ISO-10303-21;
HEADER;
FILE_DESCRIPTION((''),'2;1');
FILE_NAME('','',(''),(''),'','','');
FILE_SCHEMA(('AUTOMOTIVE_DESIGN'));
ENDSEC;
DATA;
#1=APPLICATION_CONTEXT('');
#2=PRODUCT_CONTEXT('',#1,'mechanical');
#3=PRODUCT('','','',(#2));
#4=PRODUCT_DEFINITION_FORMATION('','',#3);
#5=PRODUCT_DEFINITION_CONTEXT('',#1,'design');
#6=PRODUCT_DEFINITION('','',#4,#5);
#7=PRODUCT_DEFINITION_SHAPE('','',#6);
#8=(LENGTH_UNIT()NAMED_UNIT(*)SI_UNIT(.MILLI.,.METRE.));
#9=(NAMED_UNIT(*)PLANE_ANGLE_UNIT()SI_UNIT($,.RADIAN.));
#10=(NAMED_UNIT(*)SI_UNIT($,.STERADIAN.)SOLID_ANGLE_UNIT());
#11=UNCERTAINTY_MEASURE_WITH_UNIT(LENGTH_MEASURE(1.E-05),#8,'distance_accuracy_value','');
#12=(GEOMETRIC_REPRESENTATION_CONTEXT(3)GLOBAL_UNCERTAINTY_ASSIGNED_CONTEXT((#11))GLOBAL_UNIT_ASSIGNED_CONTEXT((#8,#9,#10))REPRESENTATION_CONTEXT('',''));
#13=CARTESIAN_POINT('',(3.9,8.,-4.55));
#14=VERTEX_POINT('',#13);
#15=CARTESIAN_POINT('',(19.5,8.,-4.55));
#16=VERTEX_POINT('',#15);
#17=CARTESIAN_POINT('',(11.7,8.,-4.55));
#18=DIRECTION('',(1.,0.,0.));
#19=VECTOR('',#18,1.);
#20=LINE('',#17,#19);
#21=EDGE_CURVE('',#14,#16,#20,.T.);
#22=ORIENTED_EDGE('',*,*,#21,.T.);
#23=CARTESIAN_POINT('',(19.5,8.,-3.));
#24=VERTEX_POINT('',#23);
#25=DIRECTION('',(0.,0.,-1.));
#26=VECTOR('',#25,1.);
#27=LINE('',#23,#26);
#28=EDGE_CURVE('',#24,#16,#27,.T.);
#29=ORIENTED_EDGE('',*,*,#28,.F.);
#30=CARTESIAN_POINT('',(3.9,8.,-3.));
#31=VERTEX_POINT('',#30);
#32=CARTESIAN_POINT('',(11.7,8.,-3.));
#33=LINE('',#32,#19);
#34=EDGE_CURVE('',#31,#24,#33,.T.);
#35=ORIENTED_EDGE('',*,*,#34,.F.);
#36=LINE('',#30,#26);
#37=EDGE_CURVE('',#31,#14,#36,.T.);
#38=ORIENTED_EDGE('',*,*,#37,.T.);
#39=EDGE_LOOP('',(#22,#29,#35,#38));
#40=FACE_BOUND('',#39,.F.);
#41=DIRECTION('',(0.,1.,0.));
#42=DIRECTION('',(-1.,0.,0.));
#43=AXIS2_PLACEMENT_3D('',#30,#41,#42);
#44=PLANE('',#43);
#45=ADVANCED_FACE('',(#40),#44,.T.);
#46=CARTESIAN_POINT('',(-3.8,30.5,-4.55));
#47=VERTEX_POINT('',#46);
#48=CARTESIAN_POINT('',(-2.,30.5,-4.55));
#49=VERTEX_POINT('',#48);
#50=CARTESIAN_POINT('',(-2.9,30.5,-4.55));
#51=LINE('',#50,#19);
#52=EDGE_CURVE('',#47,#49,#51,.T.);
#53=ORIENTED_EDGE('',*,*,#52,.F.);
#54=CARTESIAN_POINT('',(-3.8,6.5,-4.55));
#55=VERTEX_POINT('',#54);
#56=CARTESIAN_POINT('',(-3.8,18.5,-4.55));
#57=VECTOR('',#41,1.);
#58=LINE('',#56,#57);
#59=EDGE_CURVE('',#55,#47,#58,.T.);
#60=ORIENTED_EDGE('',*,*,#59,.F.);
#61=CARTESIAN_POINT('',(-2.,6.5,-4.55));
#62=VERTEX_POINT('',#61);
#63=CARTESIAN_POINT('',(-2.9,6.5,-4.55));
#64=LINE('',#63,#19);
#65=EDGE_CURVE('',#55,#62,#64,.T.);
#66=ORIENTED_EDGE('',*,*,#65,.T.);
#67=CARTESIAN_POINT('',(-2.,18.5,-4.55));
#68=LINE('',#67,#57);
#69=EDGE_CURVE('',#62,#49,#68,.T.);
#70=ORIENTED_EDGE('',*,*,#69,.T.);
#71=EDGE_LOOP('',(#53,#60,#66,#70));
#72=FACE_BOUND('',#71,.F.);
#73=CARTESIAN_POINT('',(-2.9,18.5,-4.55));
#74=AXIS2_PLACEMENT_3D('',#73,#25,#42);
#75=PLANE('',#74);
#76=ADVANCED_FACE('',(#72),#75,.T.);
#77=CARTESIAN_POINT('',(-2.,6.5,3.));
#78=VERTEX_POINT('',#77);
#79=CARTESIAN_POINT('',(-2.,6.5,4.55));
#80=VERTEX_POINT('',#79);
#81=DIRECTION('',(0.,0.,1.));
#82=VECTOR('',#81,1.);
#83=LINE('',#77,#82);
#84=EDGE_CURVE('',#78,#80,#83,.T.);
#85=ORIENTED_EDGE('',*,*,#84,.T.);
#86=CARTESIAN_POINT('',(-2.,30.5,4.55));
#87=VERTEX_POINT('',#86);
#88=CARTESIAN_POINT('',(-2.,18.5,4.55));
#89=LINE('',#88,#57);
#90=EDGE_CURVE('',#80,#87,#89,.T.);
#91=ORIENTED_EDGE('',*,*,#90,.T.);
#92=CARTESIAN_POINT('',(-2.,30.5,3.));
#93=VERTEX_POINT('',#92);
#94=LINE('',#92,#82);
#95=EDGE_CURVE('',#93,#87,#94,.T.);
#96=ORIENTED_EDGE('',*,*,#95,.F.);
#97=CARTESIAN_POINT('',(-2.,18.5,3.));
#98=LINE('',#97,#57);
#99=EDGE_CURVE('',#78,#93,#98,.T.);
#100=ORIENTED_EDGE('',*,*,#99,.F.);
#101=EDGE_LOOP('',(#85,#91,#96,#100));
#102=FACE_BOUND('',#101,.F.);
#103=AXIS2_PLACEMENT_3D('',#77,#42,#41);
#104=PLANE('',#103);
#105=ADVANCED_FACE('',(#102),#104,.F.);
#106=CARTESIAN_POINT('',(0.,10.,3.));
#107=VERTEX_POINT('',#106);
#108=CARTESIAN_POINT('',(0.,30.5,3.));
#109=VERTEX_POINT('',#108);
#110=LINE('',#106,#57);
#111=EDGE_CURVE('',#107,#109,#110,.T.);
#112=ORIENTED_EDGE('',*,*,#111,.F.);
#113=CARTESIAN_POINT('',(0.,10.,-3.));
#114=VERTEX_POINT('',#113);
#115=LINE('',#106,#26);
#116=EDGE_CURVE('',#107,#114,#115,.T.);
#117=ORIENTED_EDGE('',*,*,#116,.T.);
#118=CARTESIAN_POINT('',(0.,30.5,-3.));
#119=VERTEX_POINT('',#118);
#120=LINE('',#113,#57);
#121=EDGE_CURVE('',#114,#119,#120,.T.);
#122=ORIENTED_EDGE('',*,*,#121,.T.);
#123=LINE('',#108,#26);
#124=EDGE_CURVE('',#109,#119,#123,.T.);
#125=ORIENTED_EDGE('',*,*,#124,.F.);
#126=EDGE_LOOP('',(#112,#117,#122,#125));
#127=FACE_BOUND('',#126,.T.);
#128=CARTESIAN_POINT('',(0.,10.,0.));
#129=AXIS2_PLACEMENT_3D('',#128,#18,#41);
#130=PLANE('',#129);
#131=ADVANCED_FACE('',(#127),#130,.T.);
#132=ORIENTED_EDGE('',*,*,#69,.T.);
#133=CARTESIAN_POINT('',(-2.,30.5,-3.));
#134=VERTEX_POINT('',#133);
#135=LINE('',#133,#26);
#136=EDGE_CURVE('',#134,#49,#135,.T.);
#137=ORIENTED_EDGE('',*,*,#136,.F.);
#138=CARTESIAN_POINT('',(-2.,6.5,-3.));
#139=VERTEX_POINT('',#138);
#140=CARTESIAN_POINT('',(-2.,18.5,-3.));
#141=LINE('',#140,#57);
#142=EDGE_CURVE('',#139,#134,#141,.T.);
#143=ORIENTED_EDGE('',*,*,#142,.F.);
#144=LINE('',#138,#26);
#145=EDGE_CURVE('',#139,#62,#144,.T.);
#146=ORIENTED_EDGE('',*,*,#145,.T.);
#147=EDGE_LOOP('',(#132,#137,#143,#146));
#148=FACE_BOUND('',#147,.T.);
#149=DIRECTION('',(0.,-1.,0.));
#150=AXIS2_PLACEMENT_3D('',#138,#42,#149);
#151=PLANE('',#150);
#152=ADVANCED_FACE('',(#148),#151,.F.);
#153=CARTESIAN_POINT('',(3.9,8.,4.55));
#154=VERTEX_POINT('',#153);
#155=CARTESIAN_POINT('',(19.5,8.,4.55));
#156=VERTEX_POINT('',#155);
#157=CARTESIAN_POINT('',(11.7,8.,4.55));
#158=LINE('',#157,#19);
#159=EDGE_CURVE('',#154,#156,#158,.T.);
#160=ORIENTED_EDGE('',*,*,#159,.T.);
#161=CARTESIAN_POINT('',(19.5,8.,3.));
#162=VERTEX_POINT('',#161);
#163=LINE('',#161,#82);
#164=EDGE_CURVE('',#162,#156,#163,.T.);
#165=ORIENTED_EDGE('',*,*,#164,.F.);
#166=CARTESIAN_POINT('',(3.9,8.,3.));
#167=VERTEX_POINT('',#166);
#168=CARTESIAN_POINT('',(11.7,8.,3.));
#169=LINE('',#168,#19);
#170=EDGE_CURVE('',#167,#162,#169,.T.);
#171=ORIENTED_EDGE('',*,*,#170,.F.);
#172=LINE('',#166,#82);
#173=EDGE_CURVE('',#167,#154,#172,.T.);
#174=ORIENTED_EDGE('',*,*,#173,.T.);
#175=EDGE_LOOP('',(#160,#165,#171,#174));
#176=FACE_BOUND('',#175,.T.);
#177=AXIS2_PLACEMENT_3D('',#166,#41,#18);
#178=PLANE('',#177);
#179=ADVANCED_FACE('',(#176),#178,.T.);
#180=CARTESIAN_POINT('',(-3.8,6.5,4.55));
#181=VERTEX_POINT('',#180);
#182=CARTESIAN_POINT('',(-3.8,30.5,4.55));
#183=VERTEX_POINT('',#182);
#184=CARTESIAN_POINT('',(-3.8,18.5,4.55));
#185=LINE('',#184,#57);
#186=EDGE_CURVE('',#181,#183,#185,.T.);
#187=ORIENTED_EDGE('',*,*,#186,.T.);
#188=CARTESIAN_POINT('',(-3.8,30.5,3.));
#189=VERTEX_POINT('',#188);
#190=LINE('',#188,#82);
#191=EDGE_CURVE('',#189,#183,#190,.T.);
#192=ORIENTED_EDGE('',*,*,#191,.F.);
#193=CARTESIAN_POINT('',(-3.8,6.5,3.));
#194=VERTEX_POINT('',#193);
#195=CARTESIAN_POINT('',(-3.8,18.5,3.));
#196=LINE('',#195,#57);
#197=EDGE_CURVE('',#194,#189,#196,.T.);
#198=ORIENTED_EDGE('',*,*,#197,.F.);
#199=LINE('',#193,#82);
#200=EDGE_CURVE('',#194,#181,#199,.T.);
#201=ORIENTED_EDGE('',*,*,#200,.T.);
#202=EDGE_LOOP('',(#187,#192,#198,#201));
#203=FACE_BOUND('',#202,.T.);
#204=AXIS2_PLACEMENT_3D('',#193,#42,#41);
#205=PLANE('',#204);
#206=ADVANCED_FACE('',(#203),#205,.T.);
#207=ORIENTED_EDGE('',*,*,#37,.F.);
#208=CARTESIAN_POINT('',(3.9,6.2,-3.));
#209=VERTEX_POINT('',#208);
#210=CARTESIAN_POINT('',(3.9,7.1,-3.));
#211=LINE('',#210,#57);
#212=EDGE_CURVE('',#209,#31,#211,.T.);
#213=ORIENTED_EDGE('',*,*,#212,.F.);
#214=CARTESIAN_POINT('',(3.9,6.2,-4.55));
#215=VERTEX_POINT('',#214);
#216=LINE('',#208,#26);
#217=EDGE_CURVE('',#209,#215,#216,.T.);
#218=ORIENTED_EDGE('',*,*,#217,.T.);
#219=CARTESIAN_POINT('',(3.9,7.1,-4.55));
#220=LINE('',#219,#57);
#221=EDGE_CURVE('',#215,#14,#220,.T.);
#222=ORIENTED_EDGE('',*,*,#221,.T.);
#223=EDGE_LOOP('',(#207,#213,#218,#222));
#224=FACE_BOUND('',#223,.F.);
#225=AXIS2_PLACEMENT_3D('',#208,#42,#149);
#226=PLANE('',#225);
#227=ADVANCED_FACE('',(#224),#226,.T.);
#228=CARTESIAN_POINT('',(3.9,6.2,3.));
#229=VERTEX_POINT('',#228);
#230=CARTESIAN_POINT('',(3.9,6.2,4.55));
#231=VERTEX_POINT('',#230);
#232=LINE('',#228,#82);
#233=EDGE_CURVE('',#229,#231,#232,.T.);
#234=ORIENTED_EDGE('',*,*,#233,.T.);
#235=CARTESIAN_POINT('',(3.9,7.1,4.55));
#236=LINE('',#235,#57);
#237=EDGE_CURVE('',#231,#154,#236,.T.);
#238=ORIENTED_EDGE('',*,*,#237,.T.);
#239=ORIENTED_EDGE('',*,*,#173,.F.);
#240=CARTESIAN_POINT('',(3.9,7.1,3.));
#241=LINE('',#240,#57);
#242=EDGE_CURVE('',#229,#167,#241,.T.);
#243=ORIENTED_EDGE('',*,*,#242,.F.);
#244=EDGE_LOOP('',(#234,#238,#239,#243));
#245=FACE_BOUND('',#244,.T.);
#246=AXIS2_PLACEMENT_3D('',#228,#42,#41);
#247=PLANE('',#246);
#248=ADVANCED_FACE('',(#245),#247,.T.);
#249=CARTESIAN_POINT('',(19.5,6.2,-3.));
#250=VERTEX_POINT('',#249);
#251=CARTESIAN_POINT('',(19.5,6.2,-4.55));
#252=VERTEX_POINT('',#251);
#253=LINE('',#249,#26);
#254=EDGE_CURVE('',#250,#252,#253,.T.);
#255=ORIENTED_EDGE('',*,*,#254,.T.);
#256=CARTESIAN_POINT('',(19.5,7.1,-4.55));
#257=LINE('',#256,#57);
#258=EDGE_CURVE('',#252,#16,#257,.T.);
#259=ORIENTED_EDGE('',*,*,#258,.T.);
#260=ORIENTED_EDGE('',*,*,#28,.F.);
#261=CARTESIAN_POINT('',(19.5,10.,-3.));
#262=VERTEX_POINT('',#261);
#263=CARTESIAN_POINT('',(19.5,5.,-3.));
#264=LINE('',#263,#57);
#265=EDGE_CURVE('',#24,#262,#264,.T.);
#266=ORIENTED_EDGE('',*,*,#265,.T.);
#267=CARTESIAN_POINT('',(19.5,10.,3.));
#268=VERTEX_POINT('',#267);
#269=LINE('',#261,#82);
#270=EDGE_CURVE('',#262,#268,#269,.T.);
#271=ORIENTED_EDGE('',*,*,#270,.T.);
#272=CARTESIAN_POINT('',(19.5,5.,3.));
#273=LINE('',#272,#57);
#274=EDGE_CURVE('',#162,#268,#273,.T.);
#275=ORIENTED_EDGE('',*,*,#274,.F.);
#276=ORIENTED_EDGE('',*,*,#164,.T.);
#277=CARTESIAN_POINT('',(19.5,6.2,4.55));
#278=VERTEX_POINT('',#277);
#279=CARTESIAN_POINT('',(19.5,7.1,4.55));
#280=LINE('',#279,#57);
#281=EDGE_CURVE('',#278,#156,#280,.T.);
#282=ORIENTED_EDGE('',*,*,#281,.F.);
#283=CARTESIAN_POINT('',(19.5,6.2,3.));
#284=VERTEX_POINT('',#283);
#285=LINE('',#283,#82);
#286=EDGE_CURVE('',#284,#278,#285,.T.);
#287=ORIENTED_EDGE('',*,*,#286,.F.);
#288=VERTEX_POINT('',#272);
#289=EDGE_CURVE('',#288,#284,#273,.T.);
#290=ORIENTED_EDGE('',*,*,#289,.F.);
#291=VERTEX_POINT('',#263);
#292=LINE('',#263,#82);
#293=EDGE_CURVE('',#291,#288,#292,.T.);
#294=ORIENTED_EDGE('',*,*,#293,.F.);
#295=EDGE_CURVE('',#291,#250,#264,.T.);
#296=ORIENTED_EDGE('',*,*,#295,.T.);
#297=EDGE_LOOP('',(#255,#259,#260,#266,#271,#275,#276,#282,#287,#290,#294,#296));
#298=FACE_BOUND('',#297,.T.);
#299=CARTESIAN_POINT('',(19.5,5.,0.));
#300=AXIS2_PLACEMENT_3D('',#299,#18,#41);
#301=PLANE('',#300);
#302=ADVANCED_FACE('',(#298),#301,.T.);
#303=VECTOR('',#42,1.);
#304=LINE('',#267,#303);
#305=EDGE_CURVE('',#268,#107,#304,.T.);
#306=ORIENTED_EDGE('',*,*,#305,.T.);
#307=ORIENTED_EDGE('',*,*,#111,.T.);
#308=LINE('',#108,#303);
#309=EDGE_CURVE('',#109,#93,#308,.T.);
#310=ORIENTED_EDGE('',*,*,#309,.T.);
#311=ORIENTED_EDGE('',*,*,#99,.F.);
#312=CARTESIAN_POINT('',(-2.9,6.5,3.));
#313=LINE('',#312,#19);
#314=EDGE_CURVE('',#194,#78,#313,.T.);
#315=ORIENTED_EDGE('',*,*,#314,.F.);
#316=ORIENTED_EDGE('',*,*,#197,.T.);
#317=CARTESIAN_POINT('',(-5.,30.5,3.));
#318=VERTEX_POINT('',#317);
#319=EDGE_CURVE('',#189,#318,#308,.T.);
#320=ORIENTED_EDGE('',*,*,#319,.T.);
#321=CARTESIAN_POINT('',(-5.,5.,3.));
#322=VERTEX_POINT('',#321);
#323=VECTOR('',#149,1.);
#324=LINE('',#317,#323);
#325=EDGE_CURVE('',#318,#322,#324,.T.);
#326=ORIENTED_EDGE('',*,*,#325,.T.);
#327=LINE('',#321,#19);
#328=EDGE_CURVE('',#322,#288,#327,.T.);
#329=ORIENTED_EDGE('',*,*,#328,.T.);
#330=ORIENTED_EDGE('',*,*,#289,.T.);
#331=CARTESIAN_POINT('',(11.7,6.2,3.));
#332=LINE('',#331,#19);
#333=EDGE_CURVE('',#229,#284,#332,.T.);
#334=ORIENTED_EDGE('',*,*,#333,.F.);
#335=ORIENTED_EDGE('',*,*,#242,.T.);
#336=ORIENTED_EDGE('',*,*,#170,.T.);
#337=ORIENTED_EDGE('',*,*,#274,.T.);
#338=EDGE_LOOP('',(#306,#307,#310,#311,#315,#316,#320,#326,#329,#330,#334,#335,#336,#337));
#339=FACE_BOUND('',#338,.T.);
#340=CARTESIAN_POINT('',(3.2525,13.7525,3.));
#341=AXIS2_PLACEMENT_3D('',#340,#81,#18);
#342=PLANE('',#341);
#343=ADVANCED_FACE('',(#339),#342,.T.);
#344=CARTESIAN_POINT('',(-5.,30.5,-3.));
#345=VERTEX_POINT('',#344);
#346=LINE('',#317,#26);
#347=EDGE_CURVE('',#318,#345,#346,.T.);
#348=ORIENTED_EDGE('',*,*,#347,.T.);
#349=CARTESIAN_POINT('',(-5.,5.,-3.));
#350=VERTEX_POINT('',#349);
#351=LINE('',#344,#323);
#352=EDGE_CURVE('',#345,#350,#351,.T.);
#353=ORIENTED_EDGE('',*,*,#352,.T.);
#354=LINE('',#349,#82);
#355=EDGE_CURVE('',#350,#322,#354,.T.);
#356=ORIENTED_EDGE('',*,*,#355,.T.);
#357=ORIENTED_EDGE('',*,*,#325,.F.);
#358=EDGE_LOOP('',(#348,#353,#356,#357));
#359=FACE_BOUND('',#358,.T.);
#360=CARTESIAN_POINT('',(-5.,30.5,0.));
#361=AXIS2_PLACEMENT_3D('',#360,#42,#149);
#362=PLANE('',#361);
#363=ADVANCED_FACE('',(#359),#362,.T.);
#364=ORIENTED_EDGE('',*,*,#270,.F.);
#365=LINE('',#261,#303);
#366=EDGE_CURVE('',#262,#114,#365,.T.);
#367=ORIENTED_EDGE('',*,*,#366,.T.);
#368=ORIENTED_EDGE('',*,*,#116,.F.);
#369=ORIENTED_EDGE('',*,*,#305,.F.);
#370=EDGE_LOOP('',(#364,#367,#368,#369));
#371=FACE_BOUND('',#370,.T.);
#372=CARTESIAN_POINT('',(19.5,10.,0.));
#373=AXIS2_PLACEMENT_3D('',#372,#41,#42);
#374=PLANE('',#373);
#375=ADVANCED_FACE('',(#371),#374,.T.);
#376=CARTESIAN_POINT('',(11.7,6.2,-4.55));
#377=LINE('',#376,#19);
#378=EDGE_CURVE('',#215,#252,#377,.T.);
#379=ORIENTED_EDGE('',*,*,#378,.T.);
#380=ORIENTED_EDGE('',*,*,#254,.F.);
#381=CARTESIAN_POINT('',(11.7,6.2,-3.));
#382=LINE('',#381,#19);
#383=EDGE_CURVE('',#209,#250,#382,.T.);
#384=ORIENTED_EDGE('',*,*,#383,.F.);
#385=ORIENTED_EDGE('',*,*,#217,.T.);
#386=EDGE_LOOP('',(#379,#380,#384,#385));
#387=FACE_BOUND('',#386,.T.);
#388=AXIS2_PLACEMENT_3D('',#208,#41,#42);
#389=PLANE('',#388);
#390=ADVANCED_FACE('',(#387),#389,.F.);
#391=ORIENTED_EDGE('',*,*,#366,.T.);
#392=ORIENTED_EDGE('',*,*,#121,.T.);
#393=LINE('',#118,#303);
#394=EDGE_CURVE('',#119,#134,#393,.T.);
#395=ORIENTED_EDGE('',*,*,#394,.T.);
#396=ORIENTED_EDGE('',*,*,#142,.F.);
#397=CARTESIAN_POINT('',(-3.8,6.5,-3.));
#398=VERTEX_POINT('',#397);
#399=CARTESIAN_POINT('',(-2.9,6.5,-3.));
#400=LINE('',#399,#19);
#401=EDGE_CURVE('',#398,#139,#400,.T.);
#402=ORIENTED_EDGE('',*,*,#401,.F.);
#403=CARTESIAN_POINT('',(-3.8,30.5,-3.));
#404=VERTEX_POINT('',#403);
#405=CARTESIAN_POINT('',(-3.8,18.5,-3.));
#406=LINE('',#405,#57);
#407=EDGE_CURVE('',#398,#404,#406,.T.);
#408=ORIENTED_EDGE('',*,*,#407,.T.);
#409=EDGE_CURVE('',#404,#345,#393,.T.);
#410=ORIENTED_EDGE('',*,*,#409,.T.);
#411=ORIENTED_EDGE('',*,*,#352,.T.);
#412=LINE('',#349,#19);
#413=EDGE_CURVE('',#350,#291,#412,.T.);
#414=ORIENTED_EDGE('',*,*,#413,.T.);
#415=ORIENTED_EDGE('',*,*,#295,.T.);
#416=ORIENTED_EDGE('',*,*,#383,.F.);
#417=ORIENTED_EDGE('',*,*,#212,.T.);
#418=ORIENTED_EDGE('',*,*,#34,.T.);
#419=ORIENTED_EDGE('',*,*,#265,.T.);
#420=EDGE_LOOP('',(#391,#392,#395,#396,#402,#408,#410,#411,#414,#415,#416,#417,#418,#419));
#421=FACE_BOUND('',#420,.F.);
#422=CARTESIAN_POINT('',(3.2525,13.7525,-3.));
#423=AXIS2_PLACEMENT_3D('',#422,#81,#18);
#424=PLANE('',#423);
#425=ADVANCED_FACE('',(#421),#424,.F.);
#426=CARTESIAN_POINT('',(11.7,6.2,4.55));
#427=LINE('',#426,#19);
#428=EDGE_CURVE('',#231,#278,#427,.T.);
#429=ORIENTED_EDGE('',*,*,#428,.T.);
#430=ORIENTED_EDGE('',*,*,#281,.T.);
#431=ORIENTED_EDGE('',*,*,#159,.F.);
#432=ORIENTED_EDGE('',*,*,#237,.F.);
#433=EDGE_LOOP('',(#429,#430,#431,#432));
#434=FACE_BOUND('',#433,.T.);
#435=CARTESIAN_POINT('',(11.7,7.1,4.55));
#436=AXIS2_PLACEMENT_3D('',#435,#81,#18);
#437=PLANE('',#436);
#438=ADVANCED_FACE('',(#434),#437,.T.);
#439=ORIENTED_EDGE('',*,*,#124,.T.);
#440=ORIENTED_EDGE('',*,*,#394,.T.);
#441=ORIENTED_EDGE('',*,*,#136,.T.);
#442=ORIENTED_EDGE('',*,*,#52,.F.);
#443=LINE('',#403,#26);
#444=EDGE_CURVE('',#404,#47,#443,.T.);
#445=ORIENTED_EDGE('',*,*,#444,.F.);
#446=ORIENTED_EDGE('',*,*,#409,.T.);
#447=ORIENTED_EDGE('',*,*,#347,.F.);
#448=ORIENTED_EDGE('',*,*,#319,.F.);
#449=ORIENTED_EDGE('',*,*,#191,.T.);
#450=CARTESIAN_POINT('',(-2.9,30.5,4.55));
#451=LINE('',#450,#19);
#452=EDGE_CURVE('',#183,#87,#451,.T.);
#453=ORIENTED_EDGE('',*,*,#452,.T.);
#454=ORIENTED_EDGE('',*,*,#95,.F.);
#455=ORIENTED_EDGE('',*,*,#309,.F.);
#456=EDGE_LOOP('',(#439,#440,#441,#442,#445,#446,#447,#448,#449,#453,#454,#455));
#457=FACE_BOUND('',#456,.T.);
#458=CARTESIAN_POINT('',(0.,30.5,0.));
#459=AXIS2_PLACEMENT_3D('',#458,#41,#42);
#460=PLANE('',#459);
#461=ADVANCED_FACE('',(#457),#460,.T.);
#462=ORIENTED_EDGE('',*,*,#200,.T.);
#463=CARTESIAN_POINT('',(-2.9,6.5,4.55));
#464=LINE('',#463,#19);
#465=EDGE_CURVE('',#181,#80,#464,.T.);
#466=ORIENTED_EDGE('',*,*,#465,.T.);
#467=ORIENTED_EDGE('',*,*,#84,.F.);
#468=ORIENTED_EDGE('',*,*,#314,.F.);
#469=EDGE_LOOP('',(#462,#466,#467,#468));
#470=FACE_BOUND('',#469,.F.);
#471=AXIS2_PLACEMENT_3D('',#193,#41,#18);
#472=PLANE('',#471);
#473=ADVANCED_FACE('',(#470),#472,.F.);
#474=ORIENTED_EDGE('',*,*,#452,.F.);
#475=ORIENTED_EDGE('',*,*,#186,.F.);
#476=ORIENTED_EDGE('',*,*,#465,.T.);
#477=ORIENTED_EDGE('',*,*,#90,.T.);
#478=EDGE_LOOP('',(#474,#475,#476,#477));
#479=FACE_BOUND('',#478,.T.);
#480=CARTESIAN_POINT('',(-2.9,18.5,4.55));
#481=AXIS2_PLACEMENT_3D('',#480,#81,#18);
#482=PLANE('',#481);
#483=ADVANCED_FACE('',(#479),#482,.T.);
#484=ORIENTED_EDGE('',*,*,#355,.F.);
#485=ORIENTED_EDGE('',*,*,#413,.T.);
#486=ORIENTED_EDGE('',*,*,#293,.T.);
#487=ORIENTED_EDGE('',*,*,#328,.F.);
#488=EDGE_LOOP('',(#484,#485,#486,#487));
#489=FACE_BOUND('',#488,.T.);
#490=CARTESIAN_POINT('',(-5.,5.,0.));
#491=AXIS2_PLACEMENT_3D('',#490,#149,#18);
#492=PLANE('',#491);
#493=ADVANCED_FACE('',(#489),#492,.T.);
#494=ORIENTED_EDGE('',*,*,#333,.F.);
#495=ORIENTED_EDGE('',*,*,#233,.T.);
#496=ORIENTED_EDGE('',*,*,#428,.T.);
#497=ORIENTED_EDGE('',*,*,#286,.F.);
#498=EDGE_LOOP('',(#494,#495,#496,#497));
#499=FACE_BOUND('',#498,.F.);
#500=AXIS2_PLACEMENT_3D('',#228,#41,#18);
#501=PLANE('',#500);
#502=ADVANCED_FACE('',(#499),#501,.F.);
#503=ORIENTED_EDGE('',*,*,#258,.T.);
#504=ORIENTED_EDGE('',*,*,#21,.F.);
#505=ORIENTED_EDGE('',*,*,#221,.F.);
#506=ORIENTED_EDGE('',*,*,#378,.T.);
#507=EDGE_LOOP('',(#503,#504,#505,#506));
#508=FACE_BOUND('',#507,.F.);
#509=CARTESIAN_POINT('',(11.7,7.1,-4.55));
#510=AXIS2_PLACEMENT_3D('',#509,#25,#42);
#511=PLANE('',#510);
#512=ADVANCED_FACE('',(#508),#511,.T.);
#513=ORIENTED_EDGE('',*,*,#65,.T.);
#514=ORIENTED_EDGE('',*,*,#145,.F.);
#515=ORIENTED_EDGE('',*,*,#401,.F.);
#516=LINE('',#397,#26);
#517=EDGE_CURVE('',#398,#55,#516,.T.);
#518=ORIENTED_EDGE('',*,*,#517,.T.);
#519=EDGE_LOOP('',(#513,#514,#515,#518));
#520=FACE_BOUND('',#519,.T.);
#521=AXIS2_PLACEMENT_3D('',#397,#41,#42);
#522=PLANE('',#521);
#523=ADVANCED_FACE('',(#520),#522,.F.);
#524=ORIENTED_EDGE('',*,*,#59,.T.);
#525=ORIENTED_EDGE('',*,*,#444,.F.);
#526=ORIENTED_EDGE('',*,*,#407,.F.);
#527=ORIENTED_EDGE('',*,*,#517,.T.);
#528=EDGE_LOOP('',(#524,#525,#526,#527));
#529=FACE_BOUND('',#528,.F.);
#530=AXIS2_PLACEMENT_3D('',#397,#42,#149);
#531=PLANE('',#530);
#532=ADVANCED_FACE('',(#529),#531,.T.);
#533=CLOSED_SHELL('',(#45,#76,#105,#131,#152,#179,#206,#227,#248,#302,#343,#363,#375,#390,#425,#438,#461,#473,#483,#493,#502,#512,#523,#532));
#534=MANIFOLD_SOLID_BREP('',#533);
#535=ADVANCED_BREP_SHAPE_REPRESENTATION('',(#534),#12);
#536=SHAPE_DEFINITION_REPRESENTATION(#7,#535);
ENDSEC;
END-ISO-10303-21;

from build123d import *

# Parameters (mm, degrees)
PAD003_DEPTH  = 3
SKETCH006_W   = 1.8
SKETCH006_H   = 24
SKETCH006_W_2 = 15.6
SKETCH006_H_2 = 1.8
PAD004_DEPTH  = 1.55


with BuildPart() as part:
    # Sketch005 → Pad003 (new body, symmetric)
    with BuildSketch(Plane.XY):
        Polygon((-5, 30.5), (-5, 5), (19.5, 5), (19.5, 10), (0, 10), (0, 30.5), align=None)
    extrude(amount=PAD003_DEPTH, both=True)

    # Sketch006 (on Face8 of Pad003) → Pad004 (join)
    with BuildSketch(Plane.XY.offset(3)):
        with Locations((-2.9, 18.5)):
            Rectangle(SKETCH006_W, SKETCH006_H)
        with Locations((11.7, 7.1)):
            Rectangle(SKETCH006_W_2, SKETCH006_H_2)
    pad004 = extrude(amount=PAD004_DEPTH)

    # Mirrored001: Pad004 across XY
    add(pad004.mirror(Plane.XY))


solid = part.part
